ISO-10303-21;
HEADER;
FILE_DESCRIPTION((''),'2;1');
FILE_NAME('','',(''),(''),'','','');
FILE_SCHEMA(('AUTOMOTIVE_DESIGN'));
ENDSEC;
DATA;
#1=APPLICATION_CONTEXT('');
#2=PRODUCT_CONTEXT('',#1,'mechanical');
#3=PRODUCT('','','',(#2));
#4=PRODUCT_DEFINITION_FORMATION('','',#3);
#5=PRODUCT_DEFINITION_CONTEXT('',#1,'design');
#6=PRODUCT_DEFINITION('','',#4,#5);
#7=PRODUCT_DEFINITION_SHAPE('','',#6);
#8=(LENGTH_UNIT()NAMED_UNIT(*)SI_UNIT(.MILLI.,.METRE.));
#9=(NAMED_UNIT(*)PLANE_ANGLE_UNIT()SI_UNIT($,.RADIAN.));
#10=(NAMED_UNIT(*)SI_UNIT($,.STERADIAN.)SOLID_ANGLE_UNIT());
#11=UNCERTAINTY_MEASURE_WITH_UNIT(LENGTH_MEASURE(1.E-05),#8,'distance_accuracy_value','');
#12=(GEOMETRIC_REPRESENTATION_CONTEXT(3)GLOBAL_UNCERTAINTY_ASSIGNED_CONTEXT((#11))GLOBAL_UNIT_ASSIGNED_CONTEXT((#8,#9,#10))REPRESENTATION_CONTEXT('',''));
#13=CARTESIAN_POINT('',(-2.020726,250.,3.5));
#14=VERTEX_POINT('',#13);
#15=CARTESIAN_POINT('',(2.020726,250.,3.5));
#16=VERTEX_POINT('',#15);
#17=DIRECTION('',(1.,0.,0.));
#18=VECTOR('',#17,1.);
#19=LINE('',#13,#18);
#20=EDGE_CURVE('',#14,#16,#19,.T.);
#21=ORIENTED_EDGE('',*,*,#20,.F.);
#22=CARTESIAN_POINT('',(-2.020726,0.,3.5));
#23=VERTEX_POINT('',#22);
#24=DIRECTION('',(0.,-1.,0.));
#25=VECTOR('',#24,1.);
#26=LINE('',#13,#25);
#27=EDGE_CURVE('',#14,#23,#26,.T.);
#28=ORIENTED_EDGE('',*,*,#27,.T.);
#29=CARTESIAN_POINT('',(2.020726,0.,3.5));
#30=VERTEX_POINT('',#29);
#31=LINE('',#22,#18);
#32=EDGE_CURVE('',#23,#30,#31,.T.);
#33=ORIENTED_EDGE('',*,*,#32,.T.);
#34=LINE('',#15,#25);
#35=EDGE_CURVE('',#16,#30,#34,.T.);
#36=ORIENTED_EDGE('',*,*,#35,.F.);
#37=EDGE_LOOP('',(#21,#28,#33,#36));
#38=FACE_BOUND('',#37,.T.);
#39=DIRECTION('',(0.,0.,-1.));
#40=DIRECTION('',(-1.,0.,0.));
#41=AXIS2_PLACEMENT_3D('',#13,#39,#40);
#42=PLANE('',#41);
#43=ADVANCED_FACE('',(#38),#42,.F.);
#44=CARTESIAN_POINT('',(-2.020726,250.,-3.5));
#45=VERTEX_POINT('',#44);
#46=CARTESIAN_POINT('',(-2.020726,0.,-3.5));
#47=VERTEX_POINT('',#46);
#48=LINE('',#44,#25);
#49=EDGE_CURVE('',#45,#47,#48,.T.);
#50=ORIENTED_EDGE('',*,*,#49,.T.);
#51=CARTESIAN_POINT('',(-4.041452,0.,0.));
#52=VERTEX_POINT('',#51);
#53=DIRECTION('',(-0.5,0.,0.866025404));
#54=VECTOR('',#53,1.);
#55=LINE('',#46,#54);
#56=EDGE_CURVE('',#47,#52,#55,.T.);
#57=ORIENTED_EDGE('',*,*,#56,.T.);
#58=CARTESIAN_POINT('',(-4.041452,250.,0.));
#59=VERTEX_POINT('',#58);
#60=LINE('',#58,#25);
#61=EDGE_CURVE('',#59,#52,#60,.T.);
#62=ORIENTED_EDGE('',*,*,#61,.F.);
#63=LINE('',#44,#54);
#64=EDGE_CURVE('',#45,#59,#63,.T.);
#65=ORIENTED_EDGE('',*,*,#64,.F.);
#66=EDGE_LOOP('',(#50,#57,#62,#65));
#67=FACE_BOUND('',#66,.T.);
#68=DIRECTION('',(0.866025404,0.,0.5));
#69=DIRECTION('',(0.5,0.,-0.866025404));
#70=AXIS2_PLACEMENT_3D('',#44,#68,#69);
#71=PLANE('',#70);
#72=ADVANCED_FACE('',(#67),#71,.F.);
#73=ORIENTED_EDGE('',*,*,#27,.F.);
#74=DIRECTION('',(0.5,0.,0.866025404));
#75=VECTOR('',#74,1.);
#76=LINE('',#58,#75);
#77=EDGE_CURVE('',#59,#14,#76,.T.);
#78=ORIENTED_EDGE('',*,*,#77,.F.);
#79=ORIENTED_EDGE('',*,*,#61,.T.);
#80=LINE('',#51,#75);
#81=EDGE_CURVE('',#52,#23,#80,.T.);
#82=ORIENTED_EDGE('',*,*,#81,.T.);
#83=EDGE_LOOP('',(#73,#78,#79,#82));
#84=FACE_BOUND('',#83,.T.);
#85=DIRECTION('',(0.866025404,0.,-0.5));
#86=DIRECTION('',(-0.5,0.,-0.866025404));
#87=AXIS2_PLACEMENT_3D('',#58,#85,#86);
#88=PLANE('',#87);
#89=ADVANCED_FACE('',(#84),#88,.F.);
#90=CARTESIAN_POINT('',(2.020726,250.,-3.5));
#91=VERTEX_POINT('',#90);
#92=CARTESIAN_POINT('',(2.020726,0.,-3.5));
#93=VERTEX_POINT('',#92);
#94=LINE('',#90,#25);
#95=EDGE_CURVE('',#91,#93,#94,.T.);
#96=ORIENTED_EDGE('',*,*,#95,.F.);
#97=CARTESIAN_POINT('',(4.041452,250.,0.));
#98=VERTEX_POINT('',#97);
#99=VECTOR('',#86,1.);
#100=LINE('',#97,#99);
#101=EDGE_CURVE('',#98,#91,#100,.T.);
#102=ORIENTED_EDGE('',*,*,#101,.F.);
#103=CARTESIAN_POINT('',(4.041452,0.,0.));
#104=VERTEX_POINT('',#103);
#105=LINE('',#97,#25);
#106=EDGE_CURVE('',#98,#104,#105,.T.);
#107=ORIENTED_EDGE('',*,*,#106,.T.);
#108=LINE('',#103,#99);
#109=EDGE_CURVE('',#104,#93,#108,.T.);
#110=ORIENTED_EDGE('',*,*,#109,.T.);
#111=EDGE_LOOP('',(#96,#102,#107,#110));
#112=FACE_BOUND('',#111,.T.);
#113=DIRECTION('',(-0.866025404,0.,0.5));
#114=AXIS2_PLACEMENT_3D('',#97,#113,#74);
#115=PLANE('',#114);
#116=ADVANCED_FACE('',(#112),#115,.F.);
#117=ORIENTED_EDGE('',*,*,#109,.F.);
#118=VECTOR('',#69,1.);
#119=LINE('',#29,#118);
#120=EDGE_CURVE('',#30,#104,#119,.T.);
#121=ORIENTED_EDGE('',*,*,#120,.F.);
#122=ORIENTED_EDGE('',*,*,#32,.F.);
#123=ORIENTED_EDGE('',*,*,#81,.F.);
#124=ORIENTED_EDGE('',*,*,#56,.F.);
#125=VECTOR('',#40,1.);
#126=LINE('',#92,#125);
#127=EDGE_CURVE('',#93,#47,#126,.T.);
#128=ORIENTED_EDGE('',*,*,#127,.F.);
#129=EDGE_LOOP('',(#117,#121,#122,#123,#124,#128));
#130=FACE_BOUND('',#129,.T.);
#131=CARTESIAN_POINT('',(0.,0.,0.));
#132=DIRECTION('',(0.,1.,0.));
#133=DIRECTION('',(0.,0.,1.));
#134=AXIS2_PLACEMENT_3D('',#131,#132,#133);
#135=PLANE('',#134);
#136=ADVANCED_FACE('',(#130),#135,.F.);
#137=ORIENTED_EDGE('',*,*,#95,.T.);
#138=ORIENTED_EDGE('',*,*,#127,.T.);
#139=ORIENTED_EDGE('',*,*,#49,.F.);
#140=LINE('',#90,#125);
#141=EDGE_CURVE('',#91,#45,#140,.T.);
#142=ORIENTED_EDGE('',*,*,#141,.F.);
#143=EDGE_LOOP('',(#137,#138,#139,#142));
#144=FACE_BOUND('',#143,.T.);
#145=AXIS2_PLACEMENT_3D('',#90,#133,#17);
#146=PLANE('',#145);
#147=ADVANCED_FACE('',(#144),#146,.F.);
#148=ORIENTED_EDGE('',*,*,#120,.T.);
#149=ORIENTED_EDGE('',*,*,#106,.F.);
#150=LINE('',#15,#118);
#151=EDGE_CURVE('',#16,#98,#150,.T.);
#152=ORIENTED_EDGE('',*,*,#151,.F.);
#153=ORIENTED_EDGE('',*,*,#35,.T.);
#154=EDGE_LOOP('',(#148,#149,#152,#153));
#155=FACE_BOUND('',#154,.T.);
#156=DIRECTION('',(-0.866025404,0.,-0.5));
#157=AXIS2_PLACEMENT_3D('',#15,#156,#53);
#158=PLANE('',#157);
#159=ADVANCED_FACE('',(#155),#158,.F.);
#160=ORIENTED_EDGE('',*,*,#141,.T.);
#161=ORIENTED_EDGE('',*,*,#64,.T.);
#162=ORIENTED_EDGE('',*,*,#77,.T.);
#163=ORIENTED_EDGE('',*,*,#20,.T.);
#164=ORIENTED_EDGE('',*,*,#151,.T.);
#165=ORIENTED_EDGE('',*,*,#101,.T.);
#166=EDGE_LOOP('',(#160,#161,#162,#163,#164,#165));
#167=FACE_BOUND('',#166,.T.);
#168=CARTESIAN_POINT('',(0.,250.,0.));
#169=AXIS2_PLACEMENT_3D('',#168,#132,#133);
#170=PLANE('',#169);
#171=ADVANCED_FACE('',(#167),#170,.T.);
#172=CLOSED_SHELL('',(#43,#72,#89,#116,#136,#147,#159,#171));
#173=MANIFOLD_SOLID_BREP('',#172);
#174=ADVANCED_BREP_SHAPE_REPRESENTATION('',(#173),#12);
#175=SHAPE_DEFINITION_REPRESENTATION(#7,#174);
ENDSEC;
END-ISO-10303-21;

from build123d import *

# Parameters (mm, degrees)
EXTRUDE_1_DEPTH = 250


with BuildPart() as part:
    # 草图1 → 凸台-拉伸1 (new body)
    with BuildSketch(Plane(origin=(0, 0, 0), x_dir=(1, 0, 0), z_dir=(0, 1, 0))):
        Polygon((4.041451884, 0), (2.020725942, 3.5), (-2.020725942, 3.5), (-4.041451884, 0), (-2.020725942, -3.5), (2.020725942, -3.5), align=None)
    extrude(amount=EXTRUDE_1_DEPTH)


solid = part.part
